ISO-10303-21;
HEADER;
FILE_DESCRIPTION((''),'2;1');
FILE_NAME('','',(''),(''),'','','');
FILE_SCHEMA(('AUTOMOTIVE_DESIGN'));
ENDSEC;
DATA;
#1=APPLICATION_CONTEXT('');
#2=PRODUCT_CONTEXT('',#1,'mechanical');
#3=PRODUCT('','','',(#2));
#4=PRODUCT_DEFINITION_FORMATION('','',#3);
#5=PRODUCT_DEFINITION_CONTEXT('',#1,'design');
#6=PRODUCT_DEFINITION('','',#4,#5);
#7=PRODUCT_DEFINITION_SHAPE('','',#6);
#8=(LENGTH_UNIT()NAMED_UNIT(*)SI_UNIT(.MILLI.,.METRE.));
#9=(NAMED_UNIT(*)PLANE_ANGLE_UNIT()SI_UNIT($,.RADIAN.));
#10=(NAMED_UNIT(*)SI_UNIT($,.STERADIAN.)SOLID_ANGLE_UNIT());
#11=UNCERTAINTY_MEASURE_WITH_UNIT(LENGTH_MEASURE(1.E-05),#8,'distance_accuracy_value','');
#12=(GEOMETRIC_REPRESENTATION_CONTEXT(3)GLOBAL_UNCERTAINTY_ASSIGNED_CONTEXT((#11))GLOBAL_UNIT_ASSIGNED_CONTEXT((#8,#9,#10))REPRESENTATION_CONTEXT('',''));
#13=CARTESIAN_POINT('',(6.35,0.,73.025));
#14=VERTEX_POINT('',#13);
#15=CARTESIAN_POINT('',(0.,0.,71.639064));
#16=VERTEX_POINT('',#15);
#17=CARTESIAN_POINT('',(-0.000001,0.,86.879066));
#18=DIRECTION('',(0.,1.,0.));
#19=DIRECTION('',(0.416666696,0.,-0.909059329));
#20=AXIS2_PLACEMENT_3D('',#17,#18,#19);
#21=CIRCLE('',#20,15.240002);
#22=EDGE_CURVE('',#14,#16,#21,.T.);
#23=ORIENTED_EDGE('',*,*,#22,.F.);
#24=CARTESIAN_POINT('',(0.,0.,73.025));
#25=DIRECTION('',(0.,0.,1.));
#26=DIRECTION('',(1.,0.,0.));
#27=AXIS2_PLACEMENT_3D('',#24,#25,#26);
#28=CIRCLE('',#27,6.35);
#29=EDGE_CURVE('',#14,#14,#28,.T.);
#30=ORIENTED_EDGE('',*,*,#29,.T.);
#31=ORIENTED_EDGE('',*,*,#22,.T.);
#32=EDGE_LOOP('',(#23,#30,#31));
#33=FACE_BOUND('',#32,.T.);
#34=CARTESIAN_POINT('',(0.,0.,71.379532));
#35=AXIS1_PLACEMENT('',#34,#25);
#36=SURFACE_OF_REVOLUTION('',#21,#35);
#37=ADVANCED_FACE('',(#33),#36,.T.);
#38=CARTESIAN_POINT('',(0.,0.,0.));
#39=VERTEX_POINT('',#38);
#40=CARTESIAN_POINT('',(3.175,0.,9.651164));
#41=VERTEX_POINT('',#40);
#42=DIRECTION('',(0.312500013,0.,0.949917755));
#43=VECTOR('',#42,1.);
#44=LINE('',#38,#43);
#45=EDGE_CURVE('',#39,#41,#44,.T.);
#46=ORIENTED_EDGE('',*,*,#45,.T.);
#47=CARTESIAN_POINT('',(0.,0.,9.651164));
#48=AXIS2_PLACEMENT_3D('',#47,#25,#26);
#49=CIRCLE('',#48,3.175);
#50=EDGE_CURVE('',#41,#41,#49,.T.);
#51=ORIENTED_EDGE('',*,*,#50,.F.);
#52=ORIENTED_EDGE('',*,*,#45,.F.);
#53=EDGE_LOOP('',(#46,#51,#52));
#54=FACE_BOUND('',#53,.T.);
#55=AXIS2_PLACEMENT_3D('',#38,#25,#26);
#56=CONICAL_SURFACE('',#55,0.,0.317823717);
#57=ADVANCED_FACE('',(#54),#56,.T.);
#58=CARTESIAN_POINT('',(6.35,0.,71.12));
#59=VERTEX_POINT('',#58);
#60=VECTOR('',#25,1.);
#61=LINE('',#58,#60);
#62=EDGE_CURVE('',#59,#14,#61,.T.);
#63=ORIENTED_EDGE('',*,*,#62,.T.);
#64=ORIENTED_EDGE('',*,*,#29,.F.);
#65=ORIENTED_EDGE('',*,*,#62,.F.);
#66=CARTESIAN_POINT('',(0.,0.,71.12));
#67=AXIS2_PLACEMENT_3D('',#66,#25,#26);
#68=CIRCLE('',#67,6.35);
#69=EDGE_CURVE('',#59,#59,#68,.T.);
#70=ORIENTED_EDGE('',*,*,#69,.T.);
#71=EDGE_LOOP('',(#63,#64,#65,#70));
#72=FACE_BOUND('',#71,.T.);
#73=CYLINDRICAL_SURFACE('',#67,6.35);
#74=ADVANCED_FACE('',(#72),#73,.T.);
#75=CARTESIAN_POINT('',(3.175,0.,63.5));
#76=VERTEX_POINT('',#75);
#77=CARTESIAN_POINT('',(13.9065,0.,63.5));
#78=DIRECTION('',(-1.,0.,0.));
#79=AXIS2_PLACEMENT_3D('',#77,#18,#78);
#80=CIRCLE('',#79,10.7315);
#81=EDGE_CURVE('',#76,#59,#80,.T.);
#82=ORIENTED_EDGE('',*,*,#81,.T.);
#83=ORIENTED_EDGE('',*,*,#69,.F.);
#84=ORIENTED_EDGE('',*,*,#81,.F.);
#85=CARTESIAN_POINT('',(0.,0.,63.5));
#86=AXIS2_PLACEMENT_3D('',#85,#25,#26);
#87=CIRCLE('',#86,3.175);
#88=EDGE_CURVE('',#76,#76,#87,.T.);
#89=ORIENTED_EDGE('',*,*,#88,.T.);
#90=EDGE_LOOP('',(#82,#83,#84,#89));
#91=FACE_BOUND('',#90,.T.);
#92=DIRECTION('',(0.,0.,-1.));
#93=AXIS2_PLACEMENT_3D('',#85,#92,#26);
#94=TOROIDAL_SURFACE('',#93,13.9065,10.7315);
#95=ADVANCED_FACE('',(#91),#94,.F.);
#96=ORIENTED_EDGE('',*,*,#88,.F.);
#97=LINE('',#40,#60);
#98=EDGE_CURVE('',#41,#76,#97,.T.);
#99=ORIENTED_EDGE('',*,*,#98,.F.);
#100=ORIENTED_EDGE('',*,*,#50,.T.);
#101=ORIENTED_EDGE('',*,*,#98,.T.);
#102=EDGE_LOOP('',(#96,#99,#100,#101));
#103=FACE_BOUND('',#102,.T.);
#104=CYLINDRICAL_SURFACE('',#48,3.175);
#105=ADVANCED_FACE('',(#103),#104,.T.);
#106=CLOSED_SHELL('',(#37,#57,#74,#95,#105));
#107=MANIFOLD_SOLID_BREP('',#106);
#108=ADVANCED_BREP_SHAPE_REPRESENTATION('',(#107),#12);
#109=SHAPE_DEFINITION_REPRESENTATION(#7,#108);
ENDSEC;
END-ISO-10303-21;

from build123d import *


with BuildPart() as f1:
    # F0 (on Front) → F1 (revolve)
    with BuildSketch(Plane.XZ):
        with BuildLine():
            Line((0, 71.639064), (0, 71.12))
            Line((0, 71.12), (6.35, 71.12))
            Line((6.35, 71.12), (6.35, 73.025))
            ThreePointArc((6.35, 73.025), (3.249743, 71.989579), (0, 71.639064))
        make_face()
        with BuildLine():
            Line((0, 71.12), (0, 63.5))
            Line((0, 63.5), (3.175, 63.5))
            ThreePointArc((3.175, 63.5), (4.0005, 67.6275), (6.35, 71.12))
            Line((6.35, 71.12), (0, 71.12))
        make_face()
        Polygon((0, 63.5), (0, 0), (3.175, 9.651164), (3.175, 63.5), align=None)
    revolve(axis=Axis((0, 0, 71.379532), (0, 0, 1)))


solid = f1.part
